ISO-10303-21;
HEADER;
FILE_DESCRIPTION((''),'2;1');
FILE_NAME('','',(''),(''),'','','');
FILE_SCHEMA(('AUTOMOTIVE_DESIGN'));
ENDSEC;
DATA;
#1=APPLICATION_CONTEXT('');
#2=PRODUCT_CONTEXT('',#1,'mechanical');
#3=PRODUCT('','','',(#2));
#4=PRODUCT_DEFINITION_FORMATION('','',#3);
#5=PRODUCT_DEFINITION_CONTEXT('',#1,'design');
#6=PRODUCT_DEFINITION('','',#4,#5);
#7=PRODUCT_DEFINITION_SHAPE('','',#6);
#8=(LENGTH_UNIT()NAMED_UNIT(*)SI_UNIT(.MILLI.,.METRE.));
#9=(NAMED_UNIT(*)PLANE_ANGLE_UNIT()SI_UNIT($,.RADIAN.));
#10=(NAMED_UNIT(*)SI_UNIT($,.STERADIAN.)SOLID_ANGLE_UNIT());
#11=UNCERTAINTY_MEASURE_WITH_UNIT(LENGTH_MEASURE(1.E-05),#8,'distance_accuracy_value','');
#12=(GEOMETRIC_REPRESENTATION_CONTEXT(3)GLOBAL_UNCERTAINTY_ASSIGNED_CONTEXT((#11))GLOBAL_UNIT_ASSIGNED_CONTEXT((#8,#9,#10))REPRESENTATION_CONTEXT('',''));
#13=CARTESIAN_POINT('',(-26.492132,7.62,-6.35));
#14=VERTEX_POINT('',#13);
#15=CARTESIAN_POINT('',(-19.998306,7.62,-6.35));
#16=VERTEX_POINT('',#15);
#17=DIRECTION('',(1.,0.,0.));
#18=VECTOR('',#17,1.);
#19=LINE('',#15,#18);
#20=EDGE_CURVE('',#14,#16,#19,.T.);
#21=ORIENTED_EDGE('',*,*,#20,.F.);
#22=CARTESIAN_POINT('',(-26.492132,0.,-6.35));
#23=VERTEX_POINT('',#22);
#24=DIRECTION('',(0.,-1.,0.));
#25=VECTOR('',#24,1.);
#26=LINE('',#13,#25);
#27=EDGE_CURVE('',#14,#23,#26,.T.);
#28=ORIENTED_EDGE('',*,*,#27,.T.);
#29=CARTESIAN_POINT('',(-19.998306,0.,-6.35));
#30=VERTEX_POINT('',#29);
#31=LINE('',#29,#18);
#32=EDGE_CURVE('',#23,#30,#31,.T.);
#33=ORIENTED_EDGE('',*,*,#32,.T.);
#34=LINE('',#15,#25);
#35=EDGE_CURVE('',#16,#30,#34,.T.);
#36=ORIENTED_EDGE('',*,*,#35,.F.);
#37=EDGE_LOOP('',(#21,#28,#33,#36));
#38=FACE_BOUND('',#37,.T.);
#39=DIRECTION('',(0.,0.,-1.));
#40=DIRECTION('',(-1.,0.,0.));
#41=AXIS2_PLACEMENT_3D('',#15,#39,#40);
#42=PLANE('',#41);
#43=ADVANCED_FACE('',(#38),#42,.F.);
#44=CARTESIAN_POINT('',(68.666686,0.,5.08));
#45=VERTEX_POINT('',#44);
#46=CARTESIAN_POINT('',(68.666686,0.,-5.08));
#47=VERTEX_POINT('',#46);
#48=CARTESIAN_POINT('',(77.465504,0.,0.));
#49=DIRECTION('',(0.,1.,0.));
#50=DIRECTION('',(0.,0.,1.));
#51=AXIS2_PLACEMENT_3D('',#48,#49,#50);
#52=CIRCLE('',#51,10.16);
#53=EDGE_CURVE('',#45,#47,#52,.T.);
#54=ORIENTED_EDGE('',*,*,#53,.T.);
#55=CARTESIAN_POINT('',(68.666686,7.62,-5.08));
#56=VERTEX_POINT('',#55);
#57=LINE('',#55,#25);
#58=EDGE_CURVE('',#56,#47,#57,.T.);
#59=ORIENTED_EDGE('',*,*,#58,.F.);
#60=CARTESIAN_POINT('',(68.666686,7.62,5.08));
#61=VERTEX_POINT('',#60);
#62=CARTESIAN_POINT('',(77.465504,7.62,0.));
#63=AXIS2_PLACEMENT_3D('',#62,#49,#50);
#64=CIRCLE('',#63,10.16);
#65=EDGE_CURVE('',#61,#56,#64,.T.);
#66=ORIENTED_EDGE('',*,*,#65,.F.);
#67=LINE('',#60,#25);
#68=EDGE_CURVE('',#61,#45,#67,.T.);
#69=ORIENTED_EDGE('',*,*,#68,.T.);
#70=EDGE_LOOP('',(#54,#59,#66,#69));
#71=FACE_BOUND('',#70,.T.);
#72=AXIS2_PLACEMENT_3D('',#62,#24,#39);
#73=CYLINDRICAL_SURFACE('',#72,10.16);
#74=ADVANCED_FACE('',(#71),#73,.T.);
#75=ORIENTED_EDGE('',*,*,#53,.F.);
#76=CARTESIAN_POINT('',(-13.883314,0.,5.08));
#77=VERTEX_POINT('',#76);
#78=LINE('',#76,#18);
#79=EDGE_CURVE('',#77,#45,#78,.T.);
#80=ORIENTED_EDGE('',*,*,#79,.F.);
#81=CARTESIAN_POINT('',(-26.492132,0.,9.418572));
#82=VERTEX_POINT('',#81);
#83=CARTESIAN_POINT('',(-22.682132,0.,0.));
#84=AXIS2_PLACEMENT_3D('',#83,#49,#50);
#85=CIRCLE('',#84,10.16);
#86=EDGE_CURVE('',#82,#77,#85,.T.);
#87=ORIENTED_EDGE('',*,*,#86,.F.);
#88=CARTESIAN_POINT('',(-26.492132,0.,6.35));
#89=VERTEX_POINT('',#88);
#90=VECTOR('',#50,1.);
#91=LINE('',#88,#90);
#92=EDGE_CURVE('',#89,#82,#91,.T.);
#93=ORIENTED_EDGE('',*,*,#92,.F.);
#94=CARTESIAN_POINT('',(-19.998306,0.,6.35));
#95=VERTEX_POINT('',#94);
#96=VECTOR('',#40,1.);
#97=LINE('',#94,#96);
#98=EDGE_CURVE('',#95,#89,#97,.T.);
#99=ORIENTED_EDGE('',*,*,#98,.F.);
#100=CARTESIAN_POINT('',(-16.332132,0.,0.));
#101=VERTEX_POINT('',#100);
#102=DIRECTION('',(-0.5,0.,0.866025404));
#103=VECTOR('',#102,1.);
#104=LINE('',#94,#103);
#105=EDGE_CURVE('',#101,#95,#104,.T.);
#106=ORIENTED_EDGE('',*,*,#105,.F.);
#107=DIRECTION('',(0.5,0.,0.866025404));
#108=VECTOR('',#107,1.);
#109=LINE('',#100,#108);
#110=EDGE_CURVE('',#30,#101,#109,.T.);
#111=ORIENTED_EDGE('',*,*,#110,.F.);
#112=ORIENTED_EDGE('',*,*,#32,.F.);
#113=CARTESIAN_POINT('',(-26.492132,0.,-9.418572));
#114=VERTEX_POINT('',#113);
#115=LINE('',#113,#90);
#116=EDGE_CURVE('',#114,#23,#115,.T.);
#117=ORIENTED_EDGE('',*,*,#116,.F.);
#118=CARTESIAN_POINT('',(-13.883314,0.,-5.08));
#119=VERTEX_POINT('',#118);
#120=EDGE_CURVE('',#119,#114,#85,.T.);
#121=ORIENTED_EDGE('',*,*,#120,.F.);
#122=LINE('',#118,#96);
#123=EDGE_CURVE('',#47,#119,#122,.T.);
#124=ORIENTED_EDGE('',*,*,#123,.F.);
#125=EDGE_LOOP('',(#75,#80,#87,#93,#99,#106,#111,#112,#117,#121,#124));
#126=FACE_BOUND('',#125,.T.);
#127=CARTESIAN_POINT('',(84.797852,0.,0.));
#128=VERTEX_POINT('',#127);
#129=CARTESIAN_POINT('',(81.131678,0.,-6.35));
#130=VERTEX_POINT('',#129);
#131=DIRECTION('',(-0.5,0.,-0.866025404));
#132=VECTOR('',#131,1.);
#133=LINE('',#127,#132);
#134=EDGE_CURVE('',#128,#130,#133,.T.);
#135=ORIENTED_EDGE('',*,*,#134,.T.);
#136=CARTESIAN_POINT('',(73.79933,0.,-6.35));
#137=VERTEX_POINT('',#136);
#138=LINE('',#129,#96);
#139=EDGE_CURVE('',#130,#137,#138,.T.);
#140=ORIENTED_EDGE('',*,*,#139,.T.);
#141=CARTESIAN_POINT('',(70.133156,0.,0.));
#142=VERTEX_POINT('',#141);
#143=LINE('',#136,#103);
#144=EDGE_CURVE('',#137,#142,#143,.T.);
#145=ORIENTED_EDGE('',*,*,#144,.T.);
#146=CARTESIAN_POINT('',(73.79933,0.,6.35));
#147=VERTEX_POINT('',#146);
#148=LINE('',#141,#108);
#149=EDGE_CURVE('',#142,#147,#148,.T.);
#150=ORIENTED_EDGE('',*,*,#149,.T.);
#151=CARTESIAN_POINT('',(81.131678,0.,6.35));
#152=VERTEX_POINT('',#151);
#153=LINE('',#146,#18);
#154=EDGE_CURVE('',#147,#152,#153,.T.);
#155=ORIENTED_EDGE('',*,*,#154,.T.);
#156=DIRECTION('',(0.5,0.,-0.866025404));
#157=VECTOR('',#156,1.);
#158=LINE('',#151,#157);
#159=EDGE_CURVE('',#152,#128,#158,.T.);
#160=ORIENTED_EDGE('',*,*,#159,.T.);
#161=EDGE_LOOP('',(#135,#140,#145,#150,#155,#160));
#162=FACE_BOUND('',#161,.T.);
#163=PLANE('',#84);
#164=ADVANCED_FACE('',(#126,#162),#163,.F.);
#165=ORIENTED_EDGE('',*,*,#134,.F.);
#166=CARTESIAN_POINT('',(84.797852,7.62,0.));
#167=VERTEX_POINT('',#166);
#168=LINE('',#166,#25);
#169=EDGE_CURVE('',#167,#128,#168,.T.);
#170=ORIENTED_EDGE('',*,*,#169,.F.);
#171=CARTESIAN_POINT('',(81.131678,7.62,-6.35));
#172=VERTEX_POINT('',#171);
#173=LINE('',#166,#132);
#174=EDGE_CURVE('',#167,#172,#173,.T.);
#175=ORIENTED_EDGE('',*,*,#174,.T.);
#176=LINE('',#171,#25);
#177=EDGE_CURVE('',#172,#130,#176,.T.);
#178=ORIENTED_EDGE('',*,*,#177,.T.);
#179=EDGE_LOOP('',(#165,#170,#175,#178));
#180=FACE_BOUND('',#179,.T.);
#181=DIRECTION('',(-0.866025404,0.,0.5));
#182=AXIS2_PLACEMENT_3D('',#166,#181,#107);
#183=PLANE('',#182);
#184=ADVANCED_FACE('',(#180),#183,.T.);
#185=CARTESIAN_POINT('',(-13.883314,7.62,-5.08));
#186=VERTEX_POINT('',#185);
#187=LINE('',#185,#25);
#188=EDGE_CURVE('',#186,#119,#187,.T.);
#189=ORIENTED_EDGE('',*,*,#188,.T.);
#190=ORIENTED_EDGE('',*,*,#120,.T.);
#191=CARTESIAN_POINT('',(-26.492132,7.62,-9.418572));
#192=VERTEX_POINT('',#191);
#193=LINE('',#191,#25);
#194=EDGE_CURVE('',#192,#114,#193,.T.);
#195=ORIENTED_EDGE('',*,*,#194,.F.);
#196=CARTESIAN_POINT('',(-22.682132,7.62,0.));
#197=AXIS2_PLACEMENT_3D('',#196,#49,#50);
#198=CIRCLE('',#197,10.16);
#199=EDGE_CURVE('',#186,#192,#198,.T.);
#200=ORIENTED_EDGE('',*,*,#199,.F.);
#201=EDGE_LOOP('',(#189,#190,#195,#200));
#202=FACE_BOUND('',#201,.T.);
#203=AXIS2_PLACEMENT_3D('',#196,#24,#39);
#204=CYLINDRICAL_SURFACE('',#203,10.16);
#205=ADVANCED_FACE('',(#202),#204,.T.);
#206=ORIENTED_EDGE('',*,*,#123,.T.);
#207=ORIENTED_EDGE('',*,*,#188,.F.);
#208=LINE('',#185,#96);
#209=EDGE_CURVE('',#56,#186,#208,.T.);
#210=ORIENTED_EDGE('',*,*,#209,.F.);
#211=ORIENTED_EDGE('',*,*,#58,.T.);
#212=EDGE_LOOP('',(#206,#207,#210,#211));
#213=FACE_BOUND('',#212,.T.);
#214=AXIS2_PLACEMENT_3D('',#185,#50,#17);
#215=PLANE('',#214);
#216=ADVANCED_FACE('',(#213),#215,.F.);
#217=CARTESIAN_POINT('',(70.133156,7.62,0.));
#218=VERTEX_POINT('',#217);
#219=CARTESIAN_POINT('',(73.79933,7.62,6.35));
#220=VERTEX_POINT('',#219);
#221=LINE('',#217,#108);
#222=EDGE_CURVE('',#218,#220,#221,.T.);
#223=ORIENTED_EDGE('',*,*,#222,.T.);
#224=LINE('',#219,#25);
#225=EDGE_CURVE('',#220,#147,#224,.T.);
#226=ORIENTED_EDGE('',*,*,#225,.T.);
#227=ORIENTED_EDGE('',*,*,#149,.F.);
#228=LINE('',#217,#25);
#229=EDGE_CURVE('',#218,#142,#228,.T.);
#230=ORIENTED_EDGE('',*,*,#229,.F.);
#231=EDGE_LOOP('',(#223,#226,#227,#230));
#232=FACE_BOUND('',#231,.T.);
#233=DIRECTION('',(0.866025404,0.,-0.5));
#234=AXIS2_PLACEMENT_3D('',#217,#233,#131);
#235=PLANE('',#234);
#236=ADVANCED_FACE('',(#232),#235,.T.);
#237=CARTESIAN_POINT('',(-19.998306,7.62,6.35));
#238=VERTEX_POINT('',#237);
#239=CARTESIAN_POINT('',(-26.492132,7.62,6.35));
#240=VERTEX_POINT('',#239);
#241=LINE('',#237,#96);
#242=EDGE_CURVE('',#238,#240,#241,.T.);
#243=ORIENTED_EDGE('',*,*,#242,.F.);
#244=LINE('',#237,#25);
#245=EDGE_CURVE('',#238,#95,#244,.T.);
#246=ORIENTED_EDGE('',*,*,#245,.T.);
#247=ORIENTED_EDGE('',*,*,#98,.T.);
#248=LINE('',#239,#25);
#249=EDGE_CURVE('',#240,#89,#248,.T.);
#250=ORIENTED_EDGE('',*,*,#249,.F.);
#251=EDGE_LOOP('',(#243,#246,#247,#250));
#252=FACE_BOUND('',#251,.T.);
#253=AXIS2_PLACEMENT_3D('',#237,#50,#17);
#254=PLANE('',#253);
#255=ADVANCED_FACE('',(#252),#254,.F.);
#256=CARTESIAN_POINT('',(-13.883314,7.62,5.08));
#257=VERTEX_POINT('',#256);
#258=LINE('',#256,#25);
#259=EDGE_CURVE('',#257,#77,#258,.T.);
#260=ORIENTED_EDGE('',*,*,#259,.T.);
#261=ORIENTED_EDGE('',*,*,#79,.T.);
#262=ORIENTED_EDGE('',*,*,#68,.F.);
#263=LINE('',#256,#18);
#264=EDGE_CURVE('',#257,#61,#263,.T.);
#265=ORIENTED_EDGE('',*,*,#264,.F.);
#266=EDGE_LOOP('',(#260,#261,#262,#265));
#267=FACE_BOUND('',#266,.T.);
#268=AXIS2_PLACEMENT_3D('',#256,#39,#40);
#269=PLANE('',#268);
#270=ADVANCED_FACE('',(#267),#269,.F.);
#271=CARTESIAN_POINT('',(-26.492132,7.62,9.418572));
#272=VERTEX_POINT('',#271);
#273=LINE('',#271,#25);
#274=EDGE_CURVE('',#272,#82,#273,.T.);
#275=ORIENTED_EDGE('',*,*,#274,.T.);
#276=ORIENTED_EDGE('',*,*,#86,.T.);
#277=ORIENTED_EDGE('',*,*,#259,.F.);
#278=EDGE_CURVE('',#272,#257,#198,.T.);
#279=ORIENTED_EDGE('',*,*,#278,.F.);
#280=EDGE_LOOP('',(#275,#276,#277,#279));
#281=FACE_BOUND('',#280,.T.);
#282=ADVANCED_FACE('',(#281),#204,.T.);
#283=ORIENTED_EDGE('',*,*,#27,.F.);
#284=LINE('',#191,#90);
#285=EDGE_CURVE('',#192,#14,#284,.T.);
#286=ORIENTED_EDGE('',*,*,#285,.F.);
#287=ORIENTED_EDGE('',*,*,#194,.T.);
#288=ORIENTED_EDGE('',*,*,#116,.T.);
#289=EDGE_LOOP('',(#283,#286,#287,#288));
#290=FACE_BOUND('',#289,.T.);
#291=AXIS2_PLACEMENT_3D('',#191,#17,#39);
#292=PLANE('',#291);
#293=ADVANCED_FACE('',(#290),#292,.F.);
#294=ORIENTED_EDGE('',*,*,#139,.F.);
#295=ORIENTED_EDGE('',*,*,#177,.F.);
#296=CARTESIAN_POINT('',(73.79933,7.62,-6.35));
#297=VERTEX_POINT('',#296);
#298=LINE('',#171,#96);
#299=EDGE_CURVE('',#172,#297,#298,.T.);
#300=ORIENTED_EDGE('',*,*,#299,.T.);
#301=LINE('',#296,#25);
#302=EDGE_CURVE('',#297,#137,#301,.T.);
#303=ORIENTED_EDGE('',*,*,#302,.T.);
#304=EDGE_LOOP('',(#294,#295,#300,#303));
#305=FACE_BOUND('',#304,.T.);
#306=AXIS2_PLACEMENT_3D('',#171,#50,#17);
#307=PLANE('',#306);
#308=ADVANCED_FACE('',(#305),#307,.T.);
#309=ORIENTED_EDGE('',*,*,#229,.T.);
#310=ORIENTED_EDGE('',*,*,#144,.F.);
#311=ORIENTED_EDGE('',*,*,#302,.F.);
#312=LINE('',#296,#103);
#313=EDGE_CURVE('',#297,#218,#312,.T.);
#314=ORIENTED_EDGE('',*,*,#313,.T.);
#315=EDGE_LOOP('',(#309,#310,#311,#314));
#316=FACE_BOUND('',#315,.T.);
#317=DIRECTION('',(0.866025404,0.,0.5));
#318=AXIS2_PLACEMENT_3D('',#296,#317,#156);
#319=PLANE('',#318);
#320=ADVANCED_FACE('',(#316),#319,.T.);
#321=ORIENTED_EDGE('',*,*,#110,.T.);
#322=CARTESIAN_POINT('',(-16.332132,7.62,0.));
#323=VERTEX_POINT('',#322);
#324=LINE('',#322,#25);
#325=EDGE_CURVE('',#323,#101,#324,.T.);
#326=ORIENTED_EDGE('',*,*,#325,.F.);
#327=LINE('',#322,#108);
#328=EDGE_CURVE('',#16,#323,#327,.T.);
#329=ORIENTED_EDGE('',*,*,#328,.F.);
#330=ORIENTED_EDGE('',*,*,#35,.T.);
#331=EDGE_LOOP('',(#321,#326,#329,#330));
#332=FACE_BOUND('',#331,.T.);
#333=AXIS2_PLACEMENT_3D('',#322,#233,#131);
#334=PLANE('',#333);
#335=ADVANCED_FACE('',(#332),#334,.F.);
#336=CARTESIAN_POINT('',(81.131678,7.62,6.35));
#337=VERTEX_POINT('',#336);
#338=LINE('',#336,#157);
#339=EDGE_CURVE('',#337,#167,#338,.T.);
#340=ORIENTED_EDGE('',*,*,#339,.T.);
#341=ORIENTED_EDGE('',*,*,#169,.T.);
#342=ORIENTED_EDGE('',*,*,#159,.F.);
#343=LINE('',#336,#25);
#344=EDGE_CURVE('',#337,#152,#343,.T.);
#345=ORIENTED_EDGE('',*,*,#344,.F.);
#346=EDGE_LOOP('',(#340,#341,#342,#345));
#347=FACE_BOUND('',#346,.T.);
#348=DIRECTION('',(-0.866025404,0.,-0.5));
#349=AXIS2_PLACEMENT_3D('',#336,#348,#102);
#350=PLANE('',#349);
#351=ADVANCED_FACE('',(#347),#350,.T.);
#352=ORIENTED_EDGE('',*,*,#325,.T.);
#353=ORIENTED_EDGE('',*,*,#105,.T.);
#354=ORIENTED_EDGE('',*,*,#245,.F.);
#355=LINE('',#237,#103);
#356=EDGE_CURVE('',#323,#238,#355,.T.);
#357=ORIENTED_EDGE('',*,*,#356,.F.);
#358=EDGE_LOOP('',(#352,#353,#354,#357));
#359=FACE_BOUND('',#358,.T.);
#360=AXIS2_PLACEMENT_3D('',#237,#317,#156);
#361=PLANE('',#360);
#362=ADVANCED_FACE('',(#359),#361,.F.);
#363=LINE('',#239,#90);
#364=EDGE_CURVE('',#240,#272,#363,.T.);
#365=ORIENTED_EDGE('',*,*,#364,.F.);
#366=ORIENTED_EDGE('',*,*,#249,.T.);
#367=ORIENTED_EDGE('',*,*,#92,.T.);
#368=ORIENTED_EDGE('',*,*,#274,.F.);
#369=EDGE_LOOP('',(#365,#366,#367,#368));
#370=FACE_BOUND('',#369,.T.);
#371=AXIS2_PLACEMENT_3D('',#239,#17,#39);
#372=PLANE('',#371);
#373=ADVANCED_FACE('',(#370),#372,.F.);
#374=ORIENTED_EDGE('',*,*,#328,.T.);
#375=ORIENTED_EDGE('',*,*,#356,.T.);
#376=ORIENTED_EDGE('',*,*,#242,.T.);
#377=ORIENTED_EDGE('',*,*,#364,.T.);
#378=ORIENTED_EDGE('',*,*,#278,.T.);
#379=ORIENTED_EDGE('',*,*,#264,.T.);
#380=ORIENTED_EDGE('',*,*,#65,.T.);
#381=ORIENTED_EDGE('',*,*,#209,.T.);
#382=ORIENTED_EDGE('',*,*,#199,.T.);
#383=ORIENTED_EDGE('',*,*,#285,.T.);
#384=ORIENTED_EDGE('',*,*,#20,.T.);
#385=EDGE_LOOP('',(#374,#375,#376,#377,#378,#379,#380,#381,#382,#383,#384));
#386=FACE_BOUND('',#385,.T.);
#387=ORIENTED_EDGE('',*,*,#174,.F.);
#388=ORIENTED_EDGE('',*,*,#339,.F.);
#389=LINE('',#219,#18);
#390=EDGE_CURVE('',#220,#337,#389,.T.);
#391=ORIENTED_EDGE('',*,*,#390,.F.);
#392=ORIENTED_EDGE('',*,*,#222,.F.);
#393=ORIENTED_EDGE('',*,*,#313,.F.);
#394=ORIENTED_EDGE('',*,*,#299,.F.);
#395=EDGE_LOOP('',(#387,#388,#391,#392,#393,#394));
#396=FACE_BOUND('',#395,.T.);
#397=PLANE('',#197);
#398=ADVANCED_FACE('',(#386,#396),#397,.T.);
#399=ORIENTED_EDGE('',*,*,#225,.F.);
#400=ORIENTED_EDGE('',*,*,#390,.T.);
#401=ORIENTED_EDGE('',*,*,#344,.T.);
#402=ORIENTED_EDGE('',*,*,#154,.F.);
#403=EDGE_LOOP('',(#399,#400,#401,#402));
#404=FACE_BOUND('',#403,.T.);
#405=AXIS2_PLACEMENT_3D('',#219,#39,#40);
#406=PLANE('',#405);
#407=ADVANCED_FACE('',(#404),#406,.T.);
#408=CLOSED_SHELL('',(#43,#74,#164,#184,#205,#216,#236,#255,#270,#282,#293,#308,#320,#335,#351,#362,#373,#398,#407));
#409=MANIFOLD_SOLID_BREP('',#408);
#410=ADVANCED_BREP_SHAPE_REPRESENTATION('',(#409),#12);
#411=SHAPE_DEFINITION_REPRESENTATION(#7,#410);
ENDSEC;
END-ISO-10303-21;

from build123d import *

# Parameters (mm, degrees)
BOSS_EXTRUDE1_DEPTH = 7.62


with BuildPart() as part:
    # Sketch1 → Boss-Extrude1 (new body)
    with BuildSketch(Plane(origin=(0, 0, 0), x_dir=(1, 0, 0), z_dir=(0, 1, 0))):
        with BuildLine():
            Line((-13.883314172, 5.08), (68.666685828, 5.08))
            ThreePointArc((68.666685828, 5.08), (87.62550393, 0), (68.666685828, -5.08))
            Line((68.666685828, -5.08), (-13.883314172, -5.08))
            ThreePointArc((-13.883314172, -5.08), (-19.3763981, -9.60717032), (-26.492132275, -9.418572079))
            Line((-26.492132275, -9.418572079), (-26.492132275, -6.35))
            Line((-26.492132275, -6.35), (-19.998306484, -6.35))
            Line((-19.998306484, -6.35), (-16.332132275, 0))
            Line((-16.332132275, 0), (-19.998306484, 6.35))
            Line((-19.998306484, 6.35), (-26.492132275, 6.35))
            Line((-26.492132275, 6.35), (-26.492132275, 9.418572079))
            ThreePointArc((-26.492132275, 9.418572079), (-19.3763981, 9.60717032), (-13.883314172, 5.08))
        make_face()
        Polygon((70.133155511, 0), (73.799329721, -6.35), (81.131678139, -6.35), (84.797852349, 0), (81.131678139, 6.35), (73.799329721, 6.35), align=None, mode=Mode.SUBTRACT)
    extrude(amount=BOSS_EXTRUDE1_DEPTH)


solid = part.part
